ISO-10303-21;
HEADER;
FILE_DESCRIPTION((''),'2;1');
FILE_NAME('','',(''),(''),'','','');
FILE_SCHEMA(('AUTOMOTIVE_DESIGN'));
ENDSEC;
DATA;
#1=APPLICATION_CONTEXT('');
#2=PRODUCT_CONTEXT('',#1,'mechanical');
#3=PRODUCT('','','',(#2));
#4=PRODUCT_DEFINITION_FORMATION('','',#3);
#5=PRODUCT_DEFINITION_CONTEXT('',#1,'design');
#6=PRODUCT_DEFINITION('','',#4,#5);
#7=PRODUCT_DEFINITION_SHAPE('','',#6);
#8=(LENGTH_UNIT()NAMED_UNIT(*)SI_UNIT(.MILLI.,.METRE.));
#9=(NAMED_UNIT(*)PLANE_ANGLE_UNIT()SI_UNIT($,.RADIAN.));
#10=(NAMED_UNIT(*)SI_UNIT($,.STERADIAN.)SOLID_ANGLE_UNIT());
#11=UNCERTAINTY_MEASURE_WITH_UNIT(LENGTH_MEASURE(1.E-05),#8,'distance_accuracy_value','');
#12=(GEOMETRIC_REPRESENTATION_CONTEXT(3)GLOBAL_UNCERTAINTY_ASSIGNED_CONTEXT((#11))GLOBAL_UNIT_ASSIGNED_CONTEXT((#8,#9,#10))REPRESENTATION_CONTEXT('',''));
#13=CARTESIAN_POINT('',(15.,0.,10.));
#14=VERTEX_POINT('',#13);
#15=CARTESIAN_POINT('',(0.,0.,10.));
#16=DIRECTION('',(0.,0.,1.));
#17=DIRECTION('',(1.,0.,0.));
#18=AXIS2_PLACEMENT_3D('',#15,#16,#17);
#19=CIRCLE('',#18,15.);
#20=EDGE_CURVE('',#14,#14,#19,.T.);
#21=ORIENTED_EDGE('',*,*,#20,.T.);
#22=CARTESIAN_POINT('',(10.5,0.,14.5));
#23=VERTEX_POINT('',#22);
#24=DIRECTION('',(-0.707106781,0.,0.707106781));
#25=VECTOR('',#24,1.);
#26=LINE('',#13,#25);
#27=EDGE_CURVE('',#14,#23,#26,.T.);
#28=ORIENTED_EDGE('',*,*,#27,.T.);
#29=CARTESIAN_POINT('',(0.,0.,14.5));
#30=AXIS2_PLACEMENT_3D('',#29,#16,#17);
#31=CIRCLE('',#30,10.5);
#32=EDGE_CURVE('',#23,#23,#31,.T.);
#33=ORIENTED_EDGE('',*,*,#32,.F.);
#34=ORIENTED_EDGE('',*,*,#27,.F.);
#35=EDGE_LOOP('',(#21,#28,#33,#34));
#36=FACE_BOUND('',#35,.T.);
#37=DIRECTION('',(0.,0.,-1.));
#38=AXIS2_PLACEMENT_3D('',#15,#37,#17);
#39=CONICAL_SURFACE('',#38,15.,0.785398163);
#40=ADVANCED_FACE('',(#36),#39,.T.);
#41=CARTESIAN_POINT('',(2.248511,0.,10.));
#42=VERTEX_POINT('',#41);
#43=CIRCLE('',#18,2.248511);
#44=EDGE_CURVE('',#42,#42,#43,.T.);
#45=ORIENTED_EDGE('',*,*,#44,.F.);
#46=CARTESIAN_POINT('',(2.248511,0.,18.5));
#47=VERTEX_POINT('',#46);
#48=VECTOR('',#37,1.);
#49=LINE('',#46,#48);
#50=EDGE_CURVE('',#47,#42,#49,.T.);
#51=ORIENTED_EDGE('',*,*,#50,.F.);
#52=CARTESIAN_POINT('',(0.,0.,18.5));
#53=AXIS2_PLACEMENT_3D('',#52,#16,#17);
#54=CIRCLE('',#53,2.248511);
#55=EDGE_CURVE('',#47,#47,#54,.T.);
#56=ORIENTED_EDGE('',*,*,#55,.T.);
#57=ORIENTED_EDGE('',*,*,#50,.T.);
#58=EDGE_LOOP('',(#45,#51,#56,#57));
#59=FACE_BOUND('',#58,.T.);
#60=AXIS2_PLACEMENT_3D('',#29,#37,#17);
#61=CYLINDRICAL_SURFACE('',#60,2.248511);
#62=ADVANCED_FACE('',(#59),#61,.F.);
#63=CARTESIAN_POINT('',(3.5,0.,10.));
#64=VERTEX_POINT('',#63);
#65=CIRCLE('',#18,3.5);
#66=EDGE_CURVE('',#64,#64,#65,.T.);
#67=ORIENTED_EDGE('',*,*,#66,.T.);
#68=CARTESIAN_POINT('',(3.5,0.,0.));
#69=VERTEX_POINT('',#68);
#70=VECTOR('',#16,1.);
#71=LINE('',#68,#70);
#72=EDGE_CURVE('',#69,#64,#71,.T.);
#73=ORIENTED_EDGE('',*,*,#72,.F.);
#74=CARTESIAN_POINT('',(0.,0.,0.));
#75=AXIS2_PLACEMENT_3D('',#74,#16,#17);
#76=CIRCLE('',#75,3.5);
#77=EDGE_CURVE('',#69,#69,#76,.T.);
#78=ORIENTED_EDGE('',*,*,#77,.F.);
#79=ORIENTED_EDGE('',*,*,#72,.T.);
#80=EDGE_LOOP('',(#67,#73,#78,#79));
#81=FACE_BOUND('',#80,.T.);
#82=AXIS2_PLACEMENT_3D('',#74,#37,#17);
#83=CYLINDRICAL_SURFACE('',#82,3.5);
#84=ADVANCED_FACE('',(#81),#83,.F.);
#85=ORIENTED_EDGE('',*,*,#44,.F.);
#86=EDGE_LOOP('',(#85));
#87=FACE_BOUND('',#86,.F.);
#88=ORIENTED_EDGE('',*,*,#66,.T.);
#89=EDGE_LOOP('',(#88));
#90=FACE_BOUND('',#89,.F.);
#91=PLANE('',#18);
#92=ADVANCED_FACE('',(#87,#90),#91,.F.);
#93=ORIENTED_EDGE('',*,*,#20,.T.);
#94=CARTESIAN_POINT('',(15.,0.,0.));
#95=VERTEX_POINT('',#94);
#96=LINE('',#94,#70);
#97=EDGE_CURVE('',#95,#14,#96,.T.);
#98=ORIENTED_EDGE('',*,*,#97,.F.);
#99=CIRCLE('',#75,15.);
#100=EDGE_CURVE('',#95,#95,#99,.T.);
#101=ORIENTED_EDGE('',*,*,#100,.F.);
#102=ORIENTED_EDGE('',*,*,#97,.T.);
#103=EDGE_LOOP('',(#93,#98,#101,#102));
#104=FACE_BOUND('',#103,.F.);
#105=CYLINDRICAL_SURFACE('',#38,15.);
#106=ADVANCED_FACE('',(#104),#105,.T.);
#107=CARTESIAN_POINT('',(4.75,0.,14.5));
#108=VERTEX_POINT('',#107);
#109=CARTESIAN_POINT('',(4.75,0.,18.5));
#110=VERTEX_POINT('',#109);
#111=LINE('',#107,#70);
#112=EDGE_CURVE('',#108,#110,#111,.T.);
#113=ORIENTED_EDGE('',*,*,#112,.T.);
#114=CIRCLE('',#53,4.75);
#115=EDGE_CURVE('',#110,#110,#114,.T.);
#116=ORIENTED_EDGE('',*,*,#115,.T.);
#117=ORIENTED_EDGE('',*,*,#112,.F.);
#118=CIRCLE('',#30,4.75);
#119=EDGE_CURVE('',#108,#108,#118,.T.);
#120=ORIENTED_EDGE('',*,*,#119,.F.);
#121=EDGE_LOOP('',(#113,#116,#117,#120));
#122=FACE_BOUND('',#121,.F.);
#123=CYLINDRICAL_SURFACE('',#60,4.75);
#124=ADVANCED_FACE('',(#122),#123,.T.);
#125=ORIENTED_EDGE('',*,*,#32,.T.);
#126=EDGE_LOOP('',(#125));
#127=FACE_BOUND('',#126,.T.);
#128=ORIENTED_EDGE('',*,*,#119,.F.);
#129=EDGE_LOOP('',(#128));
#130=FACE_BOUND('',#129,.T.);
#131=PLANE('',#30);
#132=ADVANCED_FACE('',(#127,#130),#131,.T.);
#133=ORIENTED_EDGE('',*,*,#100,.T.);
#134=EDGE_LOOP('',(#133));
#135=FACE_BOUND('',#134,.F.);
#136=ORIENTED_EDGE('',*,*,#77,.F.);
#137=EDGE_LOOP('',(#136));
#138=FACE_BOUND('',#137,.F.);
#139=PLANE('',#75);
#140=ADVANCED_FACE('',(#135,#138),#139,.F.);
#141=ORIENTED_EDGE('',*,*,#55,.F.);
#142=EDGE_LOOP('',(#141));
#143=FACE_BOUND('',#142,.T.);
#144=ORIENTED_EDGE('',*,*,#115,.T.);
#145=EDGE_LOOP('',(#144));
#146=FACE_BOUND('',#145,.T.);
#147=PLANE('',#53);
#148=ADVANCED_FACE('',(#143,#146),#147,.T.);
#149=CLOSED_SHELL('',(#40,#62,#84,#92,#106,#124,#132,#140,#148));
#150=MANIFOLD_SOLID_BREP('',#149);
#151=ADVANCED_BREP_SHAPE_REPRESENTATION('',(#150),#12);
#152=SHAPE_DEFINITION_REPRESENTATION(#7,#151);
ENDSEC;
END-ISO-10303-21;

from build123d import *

# Parameters (mm, degrees)
F0_R      = 15
F1_DEPTH  = 10
F2_R      = 15
F3_DEPTH  = 4.5
F4_SIZE2  = 4.5
F4_SIZE   = 4.5
F5_R      = 2.2485105192
F6_DEPTH  = 4.5
F7_R      = 3.5
F8_DEPTH  = 10
F9_R      = 4.75
F9_R_2    = 2.2485105192
F10_DEPTH = 4


with BuildPart() as f1:
    # F0 (on Top) → F1 (new body)
    with BuildSketch(Plane.XY):
        Circle(F0_R)
    extrude(amount=F1_DEPTH)

    # F2 (on face) → F3 (join)
    with BuildSketch(Plane.XY.offset(10)):
        Circle(F2_R)
    extrude(amount=F3_DEPTH)

    # F4
    f4_edges = [f1.edges().sort_by_distance(p)[0] for p in [
        (-15, 0, 14.5),
    ]]
    chamfer(f4_edges, length=F4_SIZE, length2=F4_SIZE2)

    # F5 (on face) → F6 (cut)
    with BuildSketch(Plane.XY.offset(14.5)):
        Circle(F5_R)
    extrude(amount=-F6_DEPTH, mode=Mode.SUBTRACT)

    # F7 (on face) → F8 (cut)
    with BuildSketch(Plane.XY):
        Circle(F7_R)
    extrude(amount=F8_DEPTH, mode=Mode.SUBTRACT)

    # F9 (on face) → F10 (join)
    with BuildSketch(Plane.XY.offset(14.5)):
        Circle(F9_R)
        Circle(F9_R_2, mode=Mode.SUBTRACT)
    extrude(amount=F10_DEPTH)


solid = f1.part
